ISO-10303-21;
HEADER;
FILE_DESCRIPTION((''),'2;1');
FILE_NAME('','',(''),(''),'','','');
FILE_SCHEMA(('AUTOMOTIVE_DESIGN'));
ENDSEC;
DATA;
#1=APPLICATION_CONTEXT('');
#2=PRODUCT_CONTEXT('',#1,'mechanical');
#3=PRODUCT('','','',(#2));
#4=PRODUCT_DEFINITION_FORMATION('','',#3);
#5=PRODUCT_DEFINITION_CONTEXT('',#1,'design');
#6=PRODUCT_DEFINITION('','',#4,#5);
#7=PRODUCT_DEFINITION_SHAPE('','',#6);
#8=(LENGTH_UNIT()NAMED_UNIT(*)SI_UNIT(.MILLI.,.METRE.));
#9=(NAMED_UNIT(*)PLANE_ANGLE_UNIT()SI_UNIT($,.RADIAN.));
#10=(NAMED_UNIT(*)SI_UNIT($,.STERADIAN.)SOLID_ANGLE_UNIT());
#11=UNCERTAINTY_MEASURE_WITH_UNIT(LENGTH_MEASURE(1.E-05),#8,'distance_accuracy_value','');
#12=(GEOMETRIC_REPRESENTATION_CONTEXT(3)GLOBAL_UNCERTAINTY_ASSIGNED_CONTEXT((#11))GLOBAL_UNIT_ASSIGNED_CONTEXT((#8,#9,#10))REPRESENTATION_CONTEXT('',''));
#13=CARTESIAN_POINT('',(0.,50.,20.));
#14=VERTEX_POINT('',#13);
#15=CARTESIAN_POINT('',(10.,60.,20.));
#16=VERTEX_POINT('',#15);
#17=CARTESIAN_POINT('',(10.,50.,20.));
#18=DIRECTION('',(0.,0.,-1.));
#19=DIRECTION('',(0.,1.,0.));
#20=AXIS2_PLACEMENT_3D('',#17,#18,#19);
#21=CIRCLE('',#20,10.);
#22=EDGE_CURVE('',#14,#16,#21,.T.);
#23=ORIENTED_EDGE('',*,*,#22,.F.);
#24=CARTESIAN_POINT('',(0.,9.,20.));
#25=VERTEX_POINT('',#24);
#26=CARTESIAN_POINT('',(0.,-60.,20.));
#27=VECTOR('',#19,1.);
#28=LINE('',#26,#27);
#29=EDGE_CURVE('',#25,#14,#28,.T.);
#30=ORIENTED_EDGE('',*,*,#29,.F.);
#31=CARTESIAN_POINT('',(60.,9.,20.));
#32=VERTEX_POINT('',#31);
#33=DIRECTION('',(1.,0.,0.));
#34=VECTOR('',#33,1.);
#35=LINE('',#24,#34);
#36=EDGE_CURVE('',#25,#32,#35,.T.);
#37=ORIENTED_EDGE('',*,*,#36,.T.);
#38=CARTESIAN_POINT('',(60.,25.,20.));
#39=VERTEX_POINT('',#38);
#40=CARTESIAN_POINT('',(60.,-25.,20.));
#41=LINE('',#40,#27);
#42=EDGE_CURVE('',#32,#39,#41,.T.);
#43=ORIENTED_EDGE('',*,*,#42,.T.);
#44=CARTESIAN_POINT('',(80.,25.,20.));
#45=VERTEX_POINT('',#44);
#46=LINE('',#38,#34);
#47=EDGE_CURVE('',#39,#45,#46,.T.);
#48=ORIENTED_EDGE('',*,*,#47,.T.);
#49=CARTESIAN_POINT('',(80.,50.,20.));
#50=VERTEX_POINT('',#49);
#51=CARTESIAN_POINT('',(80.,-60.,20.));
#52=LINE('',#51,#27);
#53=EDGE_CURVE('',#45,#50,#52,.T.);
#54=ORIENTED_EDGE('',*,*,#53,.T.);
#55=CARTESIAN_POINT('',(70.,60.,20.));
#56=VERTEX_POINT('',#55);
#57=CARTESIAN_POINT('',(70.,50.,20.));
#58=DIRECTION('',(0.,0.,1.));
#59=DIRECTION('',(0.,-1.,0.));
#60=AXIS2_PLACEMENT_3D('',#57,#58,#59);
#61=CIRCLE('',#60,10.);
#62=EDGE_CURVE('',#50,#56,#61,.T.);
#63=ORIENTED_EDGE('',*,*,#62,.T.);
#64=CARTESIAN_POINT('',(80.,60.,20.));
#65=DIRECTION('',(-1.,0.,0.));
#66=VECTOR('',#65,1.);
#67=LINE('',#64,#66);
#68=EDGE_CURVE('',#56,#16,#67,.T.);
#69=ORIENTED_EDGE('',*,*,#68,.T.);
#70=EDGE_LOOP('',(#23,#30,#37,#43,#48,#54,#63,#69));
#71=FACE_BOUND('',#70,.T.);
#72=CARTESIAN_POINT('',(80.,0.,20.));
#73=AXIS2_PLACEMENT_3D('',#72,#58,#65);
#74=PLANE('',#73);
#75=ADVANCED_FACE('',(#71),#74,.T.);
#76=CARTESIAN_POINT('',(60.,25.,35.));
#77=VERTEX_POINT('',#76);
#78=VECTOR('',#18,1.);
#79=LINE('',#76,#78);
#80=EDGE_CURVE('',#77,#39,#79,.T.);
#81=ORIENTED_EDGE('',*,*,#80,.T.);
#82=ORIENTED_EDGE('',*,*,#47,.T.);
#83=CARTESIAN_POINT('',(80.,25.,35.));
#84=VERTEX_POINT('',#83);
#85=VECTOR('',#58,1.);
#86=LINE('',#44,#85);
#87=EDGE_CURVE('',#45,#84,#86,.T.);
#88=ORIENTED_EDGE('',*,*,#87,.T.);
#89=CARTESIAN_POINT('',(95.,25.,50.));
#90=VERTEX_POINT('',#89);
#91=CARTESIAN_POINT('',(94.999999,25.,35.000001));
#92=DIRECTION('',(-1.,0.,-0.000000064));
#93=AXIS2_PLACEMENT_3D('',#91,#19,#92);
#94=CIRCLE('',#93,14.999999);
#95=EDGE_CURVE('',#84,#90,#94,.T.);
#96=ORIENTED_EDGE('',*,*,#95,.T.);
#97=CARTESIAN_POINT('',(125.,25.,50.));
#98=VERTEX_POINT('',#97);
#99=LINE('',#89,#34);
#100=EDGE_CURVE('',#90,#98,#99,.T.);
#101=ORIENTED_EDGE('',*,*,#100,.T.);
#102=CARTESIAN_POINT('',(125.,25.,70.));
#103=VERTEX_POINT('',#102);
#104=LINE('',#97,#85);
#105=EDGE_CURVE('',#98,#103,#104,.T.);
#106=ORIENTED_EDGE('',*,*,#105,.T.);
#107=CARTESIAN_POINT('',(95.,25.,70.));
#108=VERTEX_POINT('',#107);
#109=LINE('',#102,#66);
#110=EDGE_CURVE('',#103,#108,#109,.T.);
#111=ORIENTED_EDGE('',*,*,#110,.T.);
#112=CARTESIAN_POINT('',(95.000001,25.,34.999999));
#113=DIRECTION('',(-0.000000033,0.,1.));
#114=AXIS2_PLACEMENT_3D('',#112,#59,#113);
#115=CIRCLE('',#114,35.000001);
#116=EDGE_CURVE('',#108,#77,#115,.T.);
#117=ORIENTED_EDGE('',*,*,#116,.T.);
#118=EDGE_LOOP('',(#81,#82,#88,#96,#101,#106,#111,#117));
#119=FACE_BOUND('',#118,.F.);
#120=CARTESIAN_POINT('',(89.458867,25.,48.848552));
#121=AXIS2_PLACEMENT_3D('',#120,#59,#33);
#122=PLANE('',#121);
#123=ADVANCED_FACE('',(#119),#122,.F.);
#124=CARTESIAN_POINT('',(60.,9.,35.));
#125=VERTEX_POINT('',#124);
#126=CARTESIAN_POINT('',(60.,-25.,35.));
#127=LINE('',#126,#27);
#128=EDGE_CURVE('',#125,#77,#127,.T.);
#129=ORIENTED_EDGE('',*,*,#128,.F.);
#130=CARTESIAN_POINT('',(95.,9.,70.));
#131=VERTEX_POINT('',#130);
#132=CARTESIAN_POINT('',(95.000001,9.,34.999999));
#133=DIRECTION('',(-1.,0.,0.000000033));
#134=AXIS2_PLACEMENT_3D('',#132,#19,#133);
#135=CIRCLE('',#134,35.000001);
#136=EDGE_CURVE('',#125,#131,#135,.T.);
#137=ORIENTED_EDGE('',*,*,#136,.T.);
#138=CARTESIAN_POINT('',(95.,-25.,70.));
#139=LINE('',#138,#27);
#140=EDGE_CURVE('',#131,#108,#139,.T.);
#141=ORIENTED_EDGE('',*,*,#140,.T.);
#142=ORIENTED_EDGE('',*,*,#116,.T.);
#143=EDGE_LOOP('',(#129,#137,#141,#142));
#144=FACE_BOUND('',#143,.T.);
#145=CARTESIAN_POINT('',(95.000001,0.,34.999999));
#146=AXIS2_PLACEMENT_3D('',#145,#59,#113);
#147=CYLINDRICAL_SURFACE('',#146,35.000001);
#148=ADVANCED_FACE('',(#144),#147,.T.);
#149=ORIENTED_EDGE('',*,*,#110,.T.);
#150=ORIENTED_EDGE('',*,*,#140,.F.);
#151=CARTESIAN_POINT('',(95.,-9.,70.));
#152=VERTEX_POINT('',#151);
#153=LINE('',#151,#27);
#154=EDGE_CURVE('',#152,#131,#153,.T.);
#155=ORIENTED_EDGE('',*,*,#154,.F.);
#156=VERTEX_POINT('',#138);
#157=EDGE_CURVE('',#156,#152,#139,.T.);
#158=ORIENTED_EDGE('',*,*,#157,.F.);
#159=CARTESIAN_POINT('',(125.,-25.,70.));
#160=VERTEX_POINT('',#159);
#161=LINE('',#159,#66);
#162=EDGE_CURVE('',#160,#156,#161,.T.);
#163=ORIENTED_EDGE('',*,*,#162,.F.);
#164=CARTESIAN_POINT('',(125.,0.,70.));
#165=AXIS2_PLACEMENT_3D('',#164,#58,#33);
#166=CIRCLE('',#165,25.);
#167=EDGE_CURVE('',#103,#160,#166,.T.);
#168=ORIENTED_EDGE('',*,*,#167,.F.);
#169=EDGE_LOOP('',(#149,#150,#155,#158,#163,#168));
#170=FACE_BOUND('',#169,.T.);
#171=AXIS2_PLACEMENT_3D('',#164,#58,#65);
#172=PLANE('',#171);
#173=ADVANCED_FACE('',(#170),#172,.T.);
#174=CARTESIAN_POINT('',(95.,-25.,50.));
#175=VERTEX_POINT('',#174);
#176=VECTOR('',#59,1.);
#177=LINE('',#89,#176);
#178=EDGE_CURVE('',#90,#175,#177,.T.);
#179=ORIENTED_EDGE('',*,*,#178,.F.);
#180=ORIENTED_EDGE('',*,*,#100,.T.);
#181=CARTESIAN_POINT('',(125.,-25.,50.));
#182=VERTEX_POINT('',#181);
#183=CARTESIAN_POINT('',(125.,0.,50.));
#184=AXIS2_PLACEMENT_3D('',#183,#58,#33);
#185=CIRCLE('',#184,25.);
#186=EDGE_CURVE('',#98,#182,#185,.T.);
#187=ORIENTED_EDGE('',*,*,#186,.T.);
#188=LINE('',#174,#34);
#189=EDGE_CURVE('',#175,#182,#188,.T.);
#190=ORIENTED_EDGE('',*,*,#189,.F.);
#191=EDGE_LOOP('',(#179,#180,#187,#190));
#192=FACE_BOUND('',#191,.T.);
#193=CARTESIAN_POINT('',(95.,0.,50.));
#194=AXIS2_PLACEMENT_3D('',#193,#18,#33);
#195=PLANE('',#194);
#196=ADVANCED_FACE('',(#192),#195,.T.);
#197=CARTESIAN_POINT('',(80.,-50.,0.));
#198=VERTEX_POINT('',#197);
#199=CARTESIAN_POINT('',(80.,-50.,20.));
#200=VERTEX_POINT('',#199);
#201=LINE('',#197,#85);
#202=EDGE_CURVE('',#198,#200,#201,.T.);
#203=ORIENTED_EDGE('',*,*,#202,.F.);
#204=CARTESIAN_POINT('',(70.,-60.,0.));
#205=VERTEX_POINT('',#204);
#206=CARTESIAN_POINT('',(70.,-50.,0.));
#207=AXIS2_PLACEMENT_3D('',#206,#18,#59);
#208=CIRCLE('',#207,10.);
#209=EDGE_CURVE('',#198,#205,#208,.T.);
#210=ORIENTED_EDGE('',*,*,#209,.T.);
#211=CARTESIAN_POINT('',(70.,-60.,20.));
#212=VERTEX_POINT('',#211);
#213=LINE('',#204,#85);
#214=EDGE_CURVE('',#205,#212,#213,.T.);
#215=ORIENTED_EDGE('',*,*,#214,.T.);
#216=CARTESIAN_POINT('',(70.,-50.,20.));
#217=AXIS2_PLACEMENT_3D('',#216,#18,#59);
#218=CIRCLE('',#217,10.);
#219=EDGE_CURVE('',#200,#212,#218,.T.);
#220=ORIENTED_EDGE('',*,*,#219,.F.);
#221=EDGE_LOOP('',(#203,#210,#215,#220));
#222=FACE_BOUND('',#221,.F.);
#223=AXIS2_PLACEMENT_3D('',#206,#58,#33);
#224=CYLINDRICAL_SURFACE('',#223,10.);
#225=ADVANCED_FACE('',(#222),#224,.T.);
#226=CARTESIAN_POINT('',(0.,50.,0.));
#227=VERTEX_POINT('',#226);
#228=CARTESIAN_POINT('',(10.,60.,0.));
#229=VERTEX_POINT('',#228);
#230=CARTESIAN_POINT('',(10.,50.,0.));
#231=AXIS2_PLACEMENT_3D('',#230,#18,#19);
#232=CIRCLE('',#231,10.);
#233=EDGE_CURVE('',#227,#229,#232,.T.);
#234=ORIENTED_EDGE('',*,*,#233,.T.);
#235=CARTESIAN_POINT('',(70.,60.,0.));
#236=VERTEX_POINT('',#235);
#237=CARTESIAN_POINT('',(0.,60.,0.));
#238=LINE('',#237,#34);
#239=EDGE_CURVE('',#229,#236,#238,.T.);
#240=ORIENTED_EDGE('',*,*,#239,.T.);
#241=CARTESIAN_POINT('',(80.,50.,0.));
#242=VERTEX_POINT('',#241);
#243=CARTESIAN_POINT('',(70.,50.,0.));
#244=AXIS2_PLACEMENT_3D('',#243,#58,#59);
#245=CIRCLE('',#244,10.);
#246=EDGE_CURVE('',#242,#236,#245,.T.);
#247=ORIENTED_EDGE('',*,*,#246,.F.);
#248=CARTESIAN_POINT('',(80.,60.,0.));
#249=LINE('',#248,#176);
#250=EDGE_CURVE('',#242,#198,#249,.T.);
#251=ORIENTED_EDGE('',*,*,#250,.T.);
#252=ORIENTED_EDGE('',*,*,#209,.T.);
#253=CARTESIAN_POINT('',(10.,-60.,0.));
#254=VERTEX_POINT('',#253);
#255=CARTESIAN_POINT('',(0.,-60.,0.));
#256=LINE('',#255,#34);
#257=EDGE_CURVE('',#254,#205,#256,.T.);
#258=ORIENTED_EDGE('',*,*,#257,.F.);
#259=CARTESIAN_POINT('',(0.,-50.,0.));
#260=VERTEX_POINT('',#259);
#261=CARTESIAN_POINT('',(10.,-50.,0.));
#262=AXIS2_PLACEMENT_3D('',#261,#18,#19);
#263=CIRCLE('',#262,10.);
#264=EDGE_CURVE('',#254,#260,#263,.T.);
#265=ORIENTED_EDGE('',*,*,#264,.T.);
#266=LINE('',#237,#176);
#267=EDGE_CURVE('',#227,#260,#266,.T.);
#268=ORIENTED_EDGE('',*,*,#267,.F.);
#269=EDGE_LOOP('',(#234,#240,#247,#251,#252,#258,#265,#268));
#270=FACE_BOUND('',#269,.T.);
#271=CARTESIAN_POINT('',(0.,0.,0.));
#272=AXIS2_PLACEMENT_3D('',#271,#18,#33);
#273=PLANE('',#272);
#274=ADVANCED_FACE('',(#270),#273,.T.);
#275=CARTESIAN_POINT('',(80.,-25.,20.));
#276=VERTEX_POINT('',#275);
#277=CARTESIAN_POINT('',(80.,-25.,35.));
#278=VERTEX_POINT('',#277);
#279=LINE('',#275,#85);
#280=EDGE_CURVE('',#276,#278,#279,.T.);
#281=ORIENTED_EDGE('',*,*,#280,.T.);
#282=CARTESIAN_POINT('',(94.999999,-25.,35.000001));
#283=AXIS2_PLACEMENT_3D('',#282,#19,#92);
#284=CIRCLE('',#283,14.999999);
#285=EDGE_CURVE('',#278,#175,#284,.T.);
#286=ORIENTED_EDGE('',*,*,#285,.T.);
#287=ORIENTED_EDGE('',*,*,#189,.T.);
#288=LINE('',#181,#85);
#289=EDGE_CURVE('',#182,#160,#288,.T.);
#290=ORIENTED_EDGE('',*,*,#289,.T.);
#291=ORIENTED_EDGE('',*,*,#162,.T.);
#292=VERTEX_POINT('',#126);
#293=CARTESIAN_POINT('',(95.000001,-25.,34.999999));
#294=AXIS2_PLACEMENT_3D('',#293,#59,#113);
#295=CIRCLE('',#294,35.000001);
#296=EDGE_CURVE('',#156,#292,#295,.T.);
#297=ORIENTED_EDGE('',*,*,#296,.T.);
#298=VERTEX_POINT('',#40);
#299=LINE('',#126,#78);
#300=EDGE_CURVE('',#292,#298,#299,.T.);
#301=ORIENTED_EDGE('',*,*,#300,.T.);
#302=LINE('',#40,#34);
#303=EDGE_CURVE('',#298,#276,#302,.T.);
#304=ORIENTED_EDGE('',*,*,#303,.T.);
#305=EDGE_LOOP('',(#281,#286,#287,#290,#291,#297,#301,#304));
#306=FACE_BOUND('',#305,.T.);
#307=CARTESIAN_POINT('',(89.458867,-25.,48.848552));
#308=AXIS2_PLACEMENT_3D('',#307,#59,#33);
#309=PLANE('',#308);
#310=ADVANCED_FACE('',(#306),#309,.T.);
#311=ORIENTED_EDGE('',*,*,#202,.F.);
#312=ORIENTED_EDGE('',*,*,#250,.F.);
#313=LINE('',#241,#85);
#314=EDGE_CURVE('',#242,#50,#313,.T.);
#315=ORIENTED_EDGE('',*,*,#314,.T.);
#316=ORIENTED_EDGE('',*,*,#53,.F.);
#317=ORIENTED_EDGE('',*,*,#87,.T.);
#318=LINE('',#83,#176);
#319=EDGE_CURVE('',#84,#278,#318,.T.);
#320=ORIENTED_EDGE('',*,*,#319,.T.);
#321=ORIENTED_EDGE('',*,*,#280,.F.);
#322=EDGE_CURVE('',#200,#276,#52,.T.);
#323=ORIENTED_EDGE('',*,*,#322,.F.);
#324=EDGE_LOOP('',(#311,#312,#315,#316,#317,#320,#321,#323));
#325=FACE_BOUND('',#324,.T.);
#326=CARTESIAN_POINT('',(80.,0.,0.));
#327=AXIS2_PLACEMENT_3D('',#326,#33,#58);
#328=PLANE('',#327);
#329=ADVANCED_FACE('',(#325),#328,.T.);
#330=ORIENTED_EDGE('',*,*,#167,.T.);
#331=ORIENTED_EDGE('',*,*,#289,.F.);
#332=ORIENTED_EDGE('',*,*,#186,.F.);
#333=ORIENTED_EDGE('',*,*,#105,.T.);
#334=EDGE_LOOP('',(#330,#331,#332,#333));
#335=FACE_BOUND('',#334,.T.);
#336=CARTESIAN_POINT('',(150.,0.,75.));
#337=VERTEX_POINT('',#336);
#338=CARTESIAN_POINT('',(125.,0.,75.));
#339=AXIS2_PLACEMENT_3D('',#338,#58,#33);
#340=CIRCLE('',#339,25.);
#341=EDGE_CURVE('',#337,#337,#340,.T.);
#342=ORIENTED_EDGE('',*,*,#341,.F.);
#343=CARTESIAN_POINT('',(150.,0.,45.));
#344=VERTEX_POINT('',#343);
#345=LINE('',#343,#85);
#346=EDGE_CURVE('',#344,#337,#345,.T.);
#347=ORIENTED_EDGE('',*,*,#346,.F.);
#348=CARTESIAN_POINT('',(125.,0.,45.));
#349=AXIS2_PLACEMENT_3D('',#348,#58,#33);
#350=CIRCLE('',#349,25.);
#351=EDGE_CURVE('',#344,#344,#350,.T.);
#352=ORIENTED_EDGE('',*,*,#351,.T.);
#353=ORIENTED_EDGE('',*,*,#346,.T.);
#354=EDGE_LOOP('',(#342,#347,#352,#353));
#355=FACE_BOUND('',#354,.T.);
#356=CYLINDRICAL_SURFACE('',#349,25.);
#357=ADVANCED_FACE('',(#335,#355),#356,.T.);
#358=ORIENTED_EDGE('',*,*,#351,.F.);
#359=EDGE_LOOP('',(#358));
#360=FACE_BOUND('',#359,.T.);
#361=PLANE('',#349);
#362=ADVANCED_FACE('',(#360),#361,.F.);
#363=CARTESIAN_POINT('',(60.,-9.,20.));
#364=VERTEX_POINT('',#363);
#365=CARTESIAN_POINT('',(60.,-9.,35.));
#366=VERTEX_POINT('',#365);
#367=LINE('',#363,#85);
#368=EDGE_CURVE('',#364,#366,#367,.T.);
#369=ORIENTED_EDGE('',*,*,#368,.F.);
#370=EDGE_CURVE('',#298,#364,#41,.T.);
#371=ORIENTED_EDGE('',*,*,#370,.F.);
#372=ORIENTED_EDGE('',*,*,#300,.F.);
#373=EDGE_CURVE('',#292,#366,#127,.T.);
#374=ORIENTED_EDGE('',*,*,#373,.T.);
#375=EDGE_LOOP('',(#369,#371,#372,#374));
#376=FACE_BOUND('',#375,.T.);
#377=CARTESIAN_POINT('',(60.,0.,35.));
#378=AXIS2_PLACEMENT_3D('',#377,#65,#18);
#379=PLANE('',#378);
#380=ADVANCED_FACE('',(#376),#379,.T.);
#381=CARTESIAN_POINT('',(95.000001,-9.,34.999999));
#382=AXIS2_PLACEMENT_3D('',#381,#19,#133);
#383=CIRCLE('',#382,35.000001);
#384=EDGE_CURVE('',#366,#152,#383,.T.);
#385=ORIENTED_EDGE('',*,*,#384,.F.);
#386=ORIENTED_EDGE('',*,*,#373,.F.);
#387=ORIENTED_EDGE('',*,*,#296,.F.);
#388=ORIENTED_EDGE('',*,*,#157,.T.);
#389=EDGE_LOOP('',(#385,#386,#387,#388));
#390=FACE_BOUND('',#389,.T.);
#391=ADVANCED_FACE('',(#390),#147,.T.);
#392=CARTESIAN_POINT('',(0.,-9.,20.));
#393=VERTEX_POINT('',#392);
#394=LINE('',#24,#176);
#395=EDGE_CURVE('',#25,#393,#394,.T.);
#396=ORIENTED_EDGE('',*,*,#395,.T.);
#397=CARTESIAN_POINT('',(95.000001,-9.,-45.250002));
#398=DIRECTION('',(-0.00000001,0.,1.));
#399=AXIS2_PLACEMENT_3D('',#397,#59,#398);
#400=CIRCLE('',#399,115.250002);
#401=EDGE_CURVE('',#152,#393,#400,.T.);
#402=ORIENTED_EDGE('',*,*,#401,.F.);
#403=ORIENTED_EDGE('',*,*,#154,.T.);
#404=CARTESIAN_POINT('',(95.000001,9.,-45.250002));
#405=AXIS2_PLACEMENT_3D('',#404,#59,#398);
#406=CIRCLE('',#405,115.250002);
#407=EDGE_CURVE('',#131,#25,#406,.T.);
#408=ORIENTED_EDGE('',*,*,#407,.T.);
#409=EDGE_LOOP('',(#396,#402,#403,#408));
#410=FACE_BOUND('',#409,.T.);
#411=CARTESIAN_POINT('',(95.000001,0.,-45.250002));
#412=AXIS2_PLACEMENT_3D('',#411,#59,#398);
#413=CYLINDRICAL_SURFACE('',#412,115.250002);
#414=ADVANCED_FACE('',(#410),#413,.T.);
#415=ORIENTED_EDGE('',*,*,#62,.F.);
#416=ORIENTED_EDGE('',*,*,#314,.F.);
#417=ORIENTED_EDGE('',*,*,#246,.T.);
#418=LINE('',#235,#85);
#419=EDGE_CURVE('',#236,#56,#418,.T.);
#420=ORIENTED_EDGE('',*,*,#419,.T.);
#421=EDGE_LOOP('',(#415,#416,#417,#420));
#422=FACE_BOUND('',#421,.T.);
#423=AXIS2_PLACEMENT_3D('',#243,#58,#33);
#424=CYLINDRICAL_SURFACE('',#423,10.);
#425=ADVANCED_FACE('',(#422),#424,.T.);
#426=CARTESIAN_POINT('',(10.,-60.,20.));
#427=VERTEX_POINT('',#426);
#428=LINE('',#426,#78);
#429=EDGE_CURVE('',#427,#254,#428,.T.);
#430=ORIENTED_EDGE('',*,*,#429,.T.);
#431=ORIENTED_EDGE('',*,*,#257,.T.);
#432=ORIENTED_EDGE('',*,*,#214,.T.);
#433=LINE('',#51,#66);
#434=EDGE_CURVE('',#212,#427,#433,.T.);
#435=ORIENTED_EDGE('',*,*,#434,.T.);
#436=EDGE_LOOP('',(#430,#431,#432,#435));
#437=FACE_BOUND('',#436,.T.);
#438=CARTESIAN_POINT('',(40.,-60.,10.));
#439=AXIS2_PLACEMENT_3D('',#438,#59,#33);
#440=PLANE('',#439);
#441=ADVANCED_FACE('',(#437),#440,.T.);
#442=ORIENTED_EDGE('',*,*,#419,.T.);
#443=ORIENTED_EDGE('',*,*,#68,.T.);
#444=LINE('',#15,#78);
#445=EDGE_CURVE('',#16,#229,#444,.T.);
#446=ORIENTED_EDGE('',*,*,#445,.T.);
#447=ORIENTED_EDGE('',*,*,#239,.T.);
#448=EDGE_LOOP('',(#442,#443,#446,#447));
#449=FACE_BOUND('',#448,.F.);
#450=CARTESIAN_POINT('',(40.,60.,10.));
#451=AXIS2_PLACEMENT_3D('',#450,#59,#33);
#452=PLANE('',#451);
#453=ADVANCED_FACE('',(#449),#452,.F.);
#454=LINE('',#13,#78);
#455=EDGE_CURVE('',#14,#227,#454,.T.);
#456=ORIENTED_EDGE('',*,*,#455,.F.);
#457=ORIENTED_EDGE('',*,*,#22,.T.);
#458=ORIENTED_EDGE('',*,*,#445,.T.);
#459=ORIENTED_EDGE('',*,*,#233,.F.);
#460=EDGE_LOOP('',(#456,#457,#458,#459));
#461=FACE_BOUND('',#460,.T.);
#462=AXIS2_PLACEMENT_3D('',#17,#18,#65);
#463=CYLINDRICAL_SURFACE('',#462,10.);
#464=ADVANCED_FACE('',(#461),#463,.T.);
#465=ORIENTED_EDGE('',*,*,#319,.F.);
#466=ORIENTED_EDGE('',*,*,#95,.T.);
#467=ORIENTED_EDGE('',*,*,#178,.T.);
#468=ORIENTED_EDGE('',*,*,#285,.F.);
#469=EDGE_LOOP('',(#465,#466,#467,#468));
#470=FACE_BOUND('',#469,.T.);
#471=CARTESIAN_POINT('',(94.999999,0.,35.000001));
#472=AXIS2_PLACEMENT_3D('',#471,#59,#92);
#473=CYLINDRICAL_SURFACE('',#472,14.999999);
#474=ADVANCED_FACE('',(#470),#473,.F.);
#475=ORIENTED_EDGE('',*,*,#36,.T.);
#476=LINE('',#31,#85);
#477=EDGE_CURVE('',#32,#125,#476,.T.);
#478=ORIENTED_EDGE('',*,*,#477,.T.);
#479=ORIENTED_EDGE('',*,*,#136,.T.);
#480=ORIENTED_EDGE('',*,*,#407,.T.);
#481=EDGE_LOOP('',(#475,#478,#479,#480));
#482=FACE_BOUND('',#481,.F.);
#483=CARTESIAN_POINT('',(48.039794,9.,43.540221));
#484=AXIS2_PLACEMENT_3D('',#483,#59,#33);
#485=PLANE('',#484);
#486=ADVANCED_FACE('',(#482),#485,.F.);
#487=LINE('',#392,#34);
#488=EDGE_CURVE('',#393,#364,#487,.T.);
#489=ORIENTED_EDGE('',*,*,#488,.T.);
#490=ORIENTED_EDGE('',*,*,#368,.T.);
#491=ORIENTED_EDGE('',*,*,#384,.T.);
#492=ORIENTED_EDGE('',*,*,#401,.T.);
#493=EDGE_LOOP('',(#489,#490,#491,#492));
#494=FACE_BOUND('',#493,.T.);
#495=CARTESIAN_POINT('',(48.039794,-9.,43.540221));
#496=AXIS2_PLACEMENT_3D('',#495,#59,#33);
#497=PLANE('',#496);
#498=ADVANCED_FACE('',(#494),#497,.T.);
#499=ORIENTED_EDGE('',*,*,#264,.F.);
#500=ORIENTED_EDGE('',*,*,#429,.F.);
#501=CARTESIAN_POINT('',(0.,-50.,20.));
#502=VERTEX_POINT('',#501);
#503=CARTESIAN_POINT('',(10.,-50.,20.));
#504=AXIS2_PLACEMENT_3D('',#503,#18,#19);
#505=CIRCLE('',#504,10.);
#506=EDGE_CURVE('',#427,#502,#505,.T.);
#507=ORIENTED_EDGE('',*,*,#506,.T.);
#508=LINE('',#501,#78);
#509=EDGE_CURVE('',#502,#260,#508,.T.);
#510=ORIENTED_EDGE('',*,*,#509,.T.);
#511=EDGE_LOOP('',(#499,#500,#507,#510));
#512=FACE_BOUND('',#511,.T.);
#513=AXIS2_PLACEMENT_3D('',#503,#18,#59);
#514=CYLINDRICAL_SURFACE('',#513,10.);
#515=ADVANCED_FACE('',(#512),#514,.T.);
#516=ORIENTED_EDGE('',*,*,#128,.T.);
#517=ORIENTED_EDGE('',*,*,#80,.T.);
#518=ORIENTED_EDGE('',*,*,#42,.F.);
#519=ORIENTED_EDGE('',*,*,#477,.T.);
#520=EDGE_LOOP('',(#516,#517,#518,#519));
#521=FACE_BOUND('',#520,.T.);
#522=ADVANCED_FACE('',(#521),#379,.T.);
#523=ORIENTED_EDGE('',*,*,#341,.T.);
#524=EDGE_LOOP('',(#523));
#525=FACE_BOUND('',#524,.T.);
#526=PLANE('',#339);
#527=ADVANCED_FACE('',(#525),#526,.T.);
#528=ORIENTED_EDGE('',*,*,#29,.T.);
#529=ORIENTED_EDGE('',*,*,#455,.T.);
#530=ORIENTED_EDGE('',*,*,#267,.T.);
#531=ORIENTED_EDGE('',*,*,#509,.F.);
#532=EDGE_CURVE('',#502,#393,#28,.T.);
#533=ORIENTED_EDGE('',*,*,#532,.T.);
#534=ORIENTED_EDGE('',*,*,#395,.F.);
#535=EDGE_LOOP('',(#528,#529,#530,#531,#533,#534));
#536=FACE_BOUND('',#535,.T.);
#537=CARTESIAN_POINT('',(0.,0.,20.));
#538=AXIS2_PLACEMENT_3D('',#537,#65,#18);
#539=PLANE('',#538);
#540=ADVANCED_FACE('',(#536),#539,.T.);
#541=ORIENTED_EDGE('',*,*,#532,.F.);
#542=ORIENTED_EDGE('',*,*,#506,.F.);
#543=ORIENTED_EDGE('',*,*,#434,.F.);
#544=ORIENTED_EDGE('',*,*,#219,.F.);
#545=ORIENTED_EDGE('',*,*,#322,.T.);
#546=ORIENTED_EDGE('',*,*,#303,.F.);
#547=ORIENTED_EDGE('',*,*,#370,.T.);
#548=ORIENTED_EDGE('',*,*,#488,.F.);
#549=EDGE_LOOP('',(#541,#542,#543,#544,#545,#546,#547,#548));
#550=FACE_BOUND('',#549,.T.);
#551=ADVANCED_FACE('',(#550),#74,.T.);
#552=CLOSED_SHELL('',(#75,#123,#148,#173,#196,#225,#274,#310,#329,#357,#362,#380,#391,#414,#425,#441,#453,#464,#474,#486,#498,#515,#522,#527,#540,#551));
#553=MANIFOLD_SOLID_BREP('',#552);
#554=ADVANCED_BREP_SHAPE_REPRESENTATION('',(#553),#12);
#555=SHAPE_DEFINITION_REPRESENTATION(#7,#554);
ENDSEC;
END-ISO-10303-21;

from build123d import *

# Parameters (mm, degrees)
F1_DEPTH = 60
F2_DEPTH = 9
F3_DEPTH = 25
F5_R     = 10


with BuildPart() as f1:
    # F0 (on Front) → F1 (new body, symmetric)
    with BuildSketch(Plane.XZ):
        Polygon((0, 20), (0, 0), (80, 0), (80, 20), (60, 20), align=None)
    extrude(amount=F1_DEPTH, both=True)

    # F0 (on Front) → F2 (join, symmetric)
    with BuildSketch(Plane.XZ):
        with BuildLine():
            ThreePointArc((95, 70), (41.322724, 56.736825), (0, 20))
            Line((0, 20), (60, 20))
            Line((60, 20), (60, 35))
            ThreePointArc((60, 35), (70.251263, 59.748737), (95, 70))
        make_face()
    extrude(amount=F2_DEPTH, both=True)

    # F0 (on Front) → F3 (join, symmetric)
    with BuildSketch(Plane.XZ):
        with BuildLine():
            Line((60, 20), (80, 20))
            Line((80, 20), (80, 35))
            ThreePointArc((80, 35), (84.393398, 45.606602), (95, 50))
            Line((95, 50), (125, 50))
            Line((125, 50), (125, 70))
            Line((125, 70), (95, 70))
            ThreePointArc((95, 70), (70.251263, 59.748737), (60, 35))
            Line((60, 35), (60, 20))
        make_face()
    extrude(amount=F3_DEPTH, both=True)

    # F0 (on Front) → F4 (revolve)
    with BuildSketch(Plane.XZ):
        Polygon((125, 75), (125, 70), (125, 50), (125, 45), (150, 45), (150, 75), align=None)
    revolve(axis=Axis((125, 0, 60), (0, 0, 1)))

    # F5
    f5_edges = [f1.edges().sort_by_distance(p)[0] for p in [
        (0, -60, 10),
        (80, -60, 10),
        (0, 60, 10),
        (80, 60, 10),
    ]]
    fillet(f5_edges, radius=F5_R)


solid = f1.part
